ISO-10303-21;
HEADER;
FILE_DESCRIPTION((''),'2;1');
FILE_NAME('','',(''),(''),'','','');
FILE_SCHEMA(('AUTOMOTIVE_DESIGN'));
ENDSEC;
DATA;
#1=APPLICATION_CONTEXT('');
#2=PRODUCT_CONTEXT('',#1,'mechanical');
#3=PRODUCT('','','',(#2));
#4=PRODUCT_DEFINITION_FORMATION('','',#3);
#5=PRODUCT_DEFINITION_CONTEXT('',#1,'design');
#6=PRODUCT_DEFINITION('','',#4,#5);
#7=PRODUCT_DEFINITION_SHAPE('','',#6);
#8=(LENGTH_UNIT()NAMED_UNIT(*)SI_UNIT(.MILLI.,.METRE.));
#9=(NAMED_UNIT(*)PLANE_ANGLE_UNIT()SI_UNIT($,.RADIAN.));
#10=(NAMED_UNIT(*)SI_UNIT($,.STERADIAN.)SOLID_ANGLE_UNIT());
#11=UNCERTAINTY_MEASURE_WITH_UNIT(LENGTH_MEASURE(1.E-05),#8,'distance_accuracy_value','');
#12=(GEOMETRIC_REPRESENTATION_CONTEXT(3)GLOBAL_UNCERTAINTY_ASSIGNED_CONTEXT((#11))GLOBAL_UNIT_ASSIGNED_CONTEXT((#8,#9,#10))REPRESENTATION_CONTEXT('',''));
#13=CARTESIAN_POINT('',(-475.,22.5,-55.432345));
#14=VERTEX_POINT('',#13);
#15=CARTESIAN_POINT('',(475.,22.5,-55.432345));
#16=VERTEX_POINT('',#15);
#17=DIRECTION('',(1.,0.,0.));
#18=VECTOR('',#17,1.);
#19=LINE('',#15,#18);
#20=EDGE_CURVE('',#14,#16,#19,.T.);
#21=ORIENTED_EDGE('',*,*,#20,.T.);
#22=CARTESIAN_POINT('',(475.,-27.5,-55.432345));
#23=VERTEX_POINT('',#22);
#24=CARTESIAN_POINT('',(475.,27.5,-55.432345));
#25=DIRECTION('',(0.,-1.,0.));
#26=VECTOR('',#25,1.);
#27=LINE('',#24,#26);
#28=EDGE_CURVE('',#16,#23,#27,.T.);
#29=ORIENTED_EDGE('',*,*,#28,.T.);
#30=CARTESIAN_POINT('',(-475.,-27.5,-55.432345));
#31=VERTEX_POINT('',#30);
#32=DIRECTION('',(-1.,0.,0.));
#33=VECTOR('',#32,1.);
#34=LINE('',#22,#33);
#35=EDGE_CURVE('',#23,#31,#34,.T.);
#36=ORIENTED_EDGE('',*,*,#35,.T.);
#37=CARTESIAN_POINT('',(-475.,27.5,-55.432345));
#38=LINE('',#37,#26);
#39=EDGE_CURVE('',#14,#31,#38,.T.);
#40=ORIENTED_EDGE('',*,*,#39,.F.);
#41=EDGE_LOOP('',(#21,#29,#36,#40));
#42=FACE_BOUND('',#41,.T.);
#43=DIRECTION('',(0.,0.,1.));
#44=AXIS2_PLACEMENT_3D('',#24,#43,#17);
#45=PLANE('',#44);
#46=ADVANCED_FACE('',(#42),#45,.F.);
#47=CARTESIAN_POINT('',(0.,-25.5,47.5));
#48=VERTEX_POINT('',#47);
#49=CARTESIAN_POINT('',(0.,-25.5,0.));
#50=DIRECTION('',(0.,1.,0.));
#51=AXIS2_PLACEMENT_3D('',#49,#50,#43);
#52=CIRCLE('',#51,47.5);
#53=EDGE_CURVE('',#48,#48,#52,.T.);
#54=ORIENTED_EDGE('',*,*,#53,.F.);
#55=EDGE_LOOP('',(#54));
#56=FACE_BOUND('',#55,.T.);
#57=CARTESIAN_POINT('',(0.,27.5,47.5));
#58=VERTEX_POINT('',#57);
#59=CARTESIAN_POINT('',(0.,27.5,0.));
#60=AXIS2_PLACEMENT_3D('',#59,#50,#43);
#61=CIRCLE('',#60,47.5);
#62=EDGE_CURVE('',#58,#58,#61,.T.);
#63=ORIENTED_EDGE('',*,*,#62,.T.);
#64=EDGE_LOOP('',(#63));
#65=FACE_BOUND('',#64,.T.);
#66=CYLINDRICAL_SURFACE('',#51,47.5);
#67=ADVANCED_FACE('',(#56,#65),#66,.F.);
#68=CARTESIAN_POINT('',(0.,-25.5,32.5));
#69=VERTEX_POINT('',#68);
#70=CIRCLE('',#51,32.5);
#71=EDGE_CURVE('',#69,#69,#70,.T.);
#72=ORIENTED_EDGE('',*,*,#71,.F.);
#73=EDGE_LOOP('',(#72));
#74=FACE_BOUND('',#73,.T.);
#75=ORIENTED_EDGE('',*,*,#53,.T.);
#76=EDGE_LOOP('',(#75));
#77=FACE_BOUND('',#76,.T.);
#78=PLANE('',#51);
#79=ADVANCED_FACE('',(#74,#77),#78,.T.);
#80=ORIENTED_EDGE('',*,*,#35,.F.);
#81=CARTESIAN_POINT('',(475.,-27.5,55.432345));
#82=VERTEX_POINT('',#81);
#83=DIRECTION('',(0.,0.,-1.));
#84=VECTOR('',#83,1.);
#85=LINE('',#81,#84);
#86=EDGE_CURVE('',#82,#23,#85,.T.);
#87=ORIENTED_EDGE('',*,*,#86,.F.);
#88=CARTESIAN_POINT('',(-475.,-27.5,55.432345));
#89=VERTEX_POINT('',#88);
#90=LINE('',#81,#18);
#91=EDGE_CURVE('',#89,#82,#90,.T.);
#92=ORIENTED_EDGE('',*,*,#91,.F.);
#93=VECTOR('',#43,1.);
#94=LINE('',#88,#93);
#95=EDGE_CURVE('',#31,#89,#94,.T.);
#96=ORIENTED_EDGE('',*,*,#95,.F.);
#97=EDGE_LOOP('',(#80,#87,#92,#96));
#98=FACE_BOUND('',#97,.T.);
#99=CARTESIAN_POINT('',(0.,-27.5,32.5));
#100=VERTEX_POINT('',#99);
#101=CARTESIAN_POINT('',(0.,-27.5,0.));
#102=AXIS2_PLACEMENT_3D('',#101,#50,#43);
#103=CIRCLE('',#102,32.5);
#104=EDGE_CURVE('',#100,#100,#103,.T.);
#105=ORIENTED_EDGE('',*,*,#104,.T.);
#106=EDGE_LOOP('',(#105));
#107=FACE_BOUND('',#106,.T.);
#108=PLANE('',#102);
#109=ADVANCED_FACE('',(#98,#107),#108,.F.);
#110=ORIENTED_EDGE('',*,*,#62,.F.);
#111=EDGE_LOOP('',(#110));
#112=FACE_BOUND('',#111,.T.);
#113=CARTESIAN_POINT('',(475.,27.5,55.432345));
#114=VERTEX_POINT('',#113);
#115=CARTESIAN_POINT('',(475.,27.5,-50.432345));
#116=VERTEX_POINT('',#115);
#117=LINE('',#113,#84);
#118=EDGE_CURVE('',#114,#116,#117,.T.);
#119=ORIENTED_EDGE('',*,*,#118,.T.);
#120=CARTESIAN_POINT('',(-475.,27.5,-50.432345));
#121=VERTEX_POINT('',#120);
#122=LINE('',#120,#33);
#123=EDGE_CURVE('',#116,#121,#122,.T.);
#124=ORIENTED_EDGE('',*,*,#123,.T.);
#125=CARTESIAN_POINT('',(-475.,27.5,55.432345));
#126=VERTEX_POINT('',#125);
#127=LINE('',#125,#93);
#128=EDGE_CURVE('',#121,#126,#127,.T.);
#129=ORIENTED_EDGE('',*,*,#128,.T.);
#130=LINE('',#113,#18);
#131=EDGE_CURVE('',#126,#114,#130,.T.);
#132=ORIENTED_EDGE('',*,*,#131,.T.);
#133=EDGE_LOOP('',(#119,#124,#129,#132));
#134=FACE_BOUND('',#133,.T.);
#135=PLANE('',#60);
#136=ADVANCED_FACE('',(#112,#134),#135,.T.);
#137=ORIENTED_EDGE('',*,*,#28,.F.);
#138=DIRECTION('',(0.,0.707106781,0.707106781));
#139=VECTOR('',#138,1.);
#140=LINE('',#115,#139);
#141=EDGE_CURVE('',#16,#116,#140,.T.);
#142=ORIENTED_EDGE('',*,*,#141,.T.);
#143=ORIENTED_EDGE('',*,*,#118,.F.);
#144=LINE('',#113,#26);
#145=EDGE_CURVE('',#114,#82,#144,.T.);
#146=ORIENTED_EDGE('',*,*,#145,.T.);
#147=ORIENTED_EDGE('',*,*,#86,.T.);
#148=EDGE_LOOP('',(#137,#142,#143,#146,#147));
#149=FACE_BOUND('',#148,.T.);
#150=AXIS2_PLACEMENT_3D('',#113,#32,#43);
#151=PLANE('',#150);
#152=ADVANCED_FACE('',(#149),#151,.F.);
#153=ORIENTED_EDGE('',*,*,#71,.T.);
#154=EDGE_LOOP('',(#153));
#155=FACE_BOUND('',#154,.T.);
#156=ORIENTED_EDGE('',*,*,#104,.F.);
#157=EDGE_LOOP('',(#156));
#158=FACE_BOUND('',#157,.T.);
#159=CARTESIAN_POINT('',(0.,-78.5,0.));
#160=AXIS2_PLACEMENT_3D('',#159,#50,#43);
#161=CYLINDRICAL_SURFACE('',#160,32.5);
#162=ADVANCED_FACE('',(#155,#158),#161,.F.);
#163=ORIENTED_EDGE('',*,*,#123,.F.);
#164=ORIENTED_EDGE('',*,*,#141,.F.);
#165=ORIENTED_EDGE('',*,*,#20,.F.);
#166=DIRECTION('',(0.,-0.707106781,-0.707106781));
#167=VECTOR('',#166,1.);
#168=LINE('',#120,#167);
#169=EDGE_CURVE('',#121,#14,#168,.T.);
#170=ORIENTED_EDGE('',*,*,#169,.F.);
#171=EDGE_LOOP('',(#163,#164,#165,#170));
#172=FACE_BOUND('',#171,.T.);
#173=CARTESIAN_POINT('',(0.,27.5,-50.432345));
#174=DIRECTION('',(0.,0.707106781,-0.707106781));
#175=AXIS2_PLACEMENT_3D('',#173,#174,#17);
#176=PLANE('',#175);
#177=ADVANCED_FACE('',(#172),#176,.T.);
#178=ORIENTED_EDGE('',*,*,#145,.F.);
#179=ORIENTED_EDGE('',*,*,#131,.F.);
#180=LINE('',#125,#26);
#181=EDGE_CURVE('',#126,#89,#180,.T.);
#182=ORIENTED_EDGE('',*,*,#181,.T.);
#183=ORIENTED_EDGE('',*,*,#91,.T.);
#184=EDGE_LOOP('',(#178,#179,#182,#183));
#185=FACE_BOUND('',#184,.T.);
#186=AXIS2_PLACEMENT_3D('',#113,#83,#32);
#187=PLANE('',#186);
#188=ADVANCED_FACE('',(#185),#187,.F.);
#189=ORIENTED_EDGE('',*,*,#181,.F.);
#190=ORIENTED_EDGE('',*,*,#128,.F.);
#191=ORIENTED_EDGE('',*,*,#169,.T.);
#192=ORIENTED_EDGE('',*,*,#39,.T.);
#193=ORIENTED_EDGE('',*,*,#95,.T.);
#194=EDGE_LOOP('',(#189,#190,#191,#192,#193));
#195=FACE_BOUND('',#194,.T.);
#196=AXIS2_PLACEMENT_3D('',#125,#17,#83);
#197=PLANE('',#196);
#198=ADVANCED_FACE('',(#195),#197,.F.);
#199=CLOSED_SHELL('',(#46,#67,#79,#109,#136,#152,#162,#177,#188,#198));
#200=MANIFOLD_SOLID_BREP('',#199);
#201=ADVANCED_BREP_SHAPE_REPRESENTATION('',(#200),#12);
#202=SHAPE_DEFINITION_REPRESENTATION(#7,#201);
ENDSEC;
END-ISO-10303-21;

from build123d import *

# Parameters (mm, degrees)
SKETCH1_W           = 950
SKETCH1_H           = 110.864689034
BOSS_EXTRUDE1_DEPTH = 27.5
SKETCH2_R           = 47.5
CUT_EXTRUDE1_DEPTH  = 53
SKETCH3_R           = 32.5
CUT_EXTRUDE2_DEPTH  = 53
CHAMFER1_SIZE       = 5


with BuildPart() as part:
    # Sketch1 → Boss-Extrude1 (new, symmetric)
    with BuildSketch(Plane(origin=(0, 0, 0), x_dir=(1, 0, 0), z_dir=(0, 1, 0))):
        Rectangle(SKETCH1_W, SKETCH1_H)
    extrude(amount=BOSS_EXTRUDE1_DEPTH, both=True)

    # Sketch2 → Cut-Extrude1 (cut)
    with BuildSketch(Plane(origin=(0, 27.5, 0), x_dir=(1, 0, 0), z_dir=(0, 1, 0))):
        with Locations(Location((0, 0, 0), (0, 0, 270))):
            Circle(SKETCH2_R)
    extrude(amount=-CUT_EXTRUDE1_DEPTH, mode=Mode.SUBTRACT)

    # Sketch3 → Cut-Extrude2 (cut)
    with BuildSketch(Plane(origin=(0, -25.5, 0), x_dir=(1, 0, 0), z_dir=(0, 1, 0))):
        with Locations(Location((0, 0, 0), (0, 0, 270))):
            Circle(SKETCH3_R)
    extrude(amount=-CUT_EXTRUDE2_DEPTH, mode=Mode.SUBTRACT)

    # Chamfer1
    chamfer1_edges = [part.edges().sort_by_distance(p)[0] for p in [
        (0, 27.5, -55.432344517),
    ]]
    chamfer(chamfer1_edges, length=CHAMFER1_SIZE)


solid = part.part
